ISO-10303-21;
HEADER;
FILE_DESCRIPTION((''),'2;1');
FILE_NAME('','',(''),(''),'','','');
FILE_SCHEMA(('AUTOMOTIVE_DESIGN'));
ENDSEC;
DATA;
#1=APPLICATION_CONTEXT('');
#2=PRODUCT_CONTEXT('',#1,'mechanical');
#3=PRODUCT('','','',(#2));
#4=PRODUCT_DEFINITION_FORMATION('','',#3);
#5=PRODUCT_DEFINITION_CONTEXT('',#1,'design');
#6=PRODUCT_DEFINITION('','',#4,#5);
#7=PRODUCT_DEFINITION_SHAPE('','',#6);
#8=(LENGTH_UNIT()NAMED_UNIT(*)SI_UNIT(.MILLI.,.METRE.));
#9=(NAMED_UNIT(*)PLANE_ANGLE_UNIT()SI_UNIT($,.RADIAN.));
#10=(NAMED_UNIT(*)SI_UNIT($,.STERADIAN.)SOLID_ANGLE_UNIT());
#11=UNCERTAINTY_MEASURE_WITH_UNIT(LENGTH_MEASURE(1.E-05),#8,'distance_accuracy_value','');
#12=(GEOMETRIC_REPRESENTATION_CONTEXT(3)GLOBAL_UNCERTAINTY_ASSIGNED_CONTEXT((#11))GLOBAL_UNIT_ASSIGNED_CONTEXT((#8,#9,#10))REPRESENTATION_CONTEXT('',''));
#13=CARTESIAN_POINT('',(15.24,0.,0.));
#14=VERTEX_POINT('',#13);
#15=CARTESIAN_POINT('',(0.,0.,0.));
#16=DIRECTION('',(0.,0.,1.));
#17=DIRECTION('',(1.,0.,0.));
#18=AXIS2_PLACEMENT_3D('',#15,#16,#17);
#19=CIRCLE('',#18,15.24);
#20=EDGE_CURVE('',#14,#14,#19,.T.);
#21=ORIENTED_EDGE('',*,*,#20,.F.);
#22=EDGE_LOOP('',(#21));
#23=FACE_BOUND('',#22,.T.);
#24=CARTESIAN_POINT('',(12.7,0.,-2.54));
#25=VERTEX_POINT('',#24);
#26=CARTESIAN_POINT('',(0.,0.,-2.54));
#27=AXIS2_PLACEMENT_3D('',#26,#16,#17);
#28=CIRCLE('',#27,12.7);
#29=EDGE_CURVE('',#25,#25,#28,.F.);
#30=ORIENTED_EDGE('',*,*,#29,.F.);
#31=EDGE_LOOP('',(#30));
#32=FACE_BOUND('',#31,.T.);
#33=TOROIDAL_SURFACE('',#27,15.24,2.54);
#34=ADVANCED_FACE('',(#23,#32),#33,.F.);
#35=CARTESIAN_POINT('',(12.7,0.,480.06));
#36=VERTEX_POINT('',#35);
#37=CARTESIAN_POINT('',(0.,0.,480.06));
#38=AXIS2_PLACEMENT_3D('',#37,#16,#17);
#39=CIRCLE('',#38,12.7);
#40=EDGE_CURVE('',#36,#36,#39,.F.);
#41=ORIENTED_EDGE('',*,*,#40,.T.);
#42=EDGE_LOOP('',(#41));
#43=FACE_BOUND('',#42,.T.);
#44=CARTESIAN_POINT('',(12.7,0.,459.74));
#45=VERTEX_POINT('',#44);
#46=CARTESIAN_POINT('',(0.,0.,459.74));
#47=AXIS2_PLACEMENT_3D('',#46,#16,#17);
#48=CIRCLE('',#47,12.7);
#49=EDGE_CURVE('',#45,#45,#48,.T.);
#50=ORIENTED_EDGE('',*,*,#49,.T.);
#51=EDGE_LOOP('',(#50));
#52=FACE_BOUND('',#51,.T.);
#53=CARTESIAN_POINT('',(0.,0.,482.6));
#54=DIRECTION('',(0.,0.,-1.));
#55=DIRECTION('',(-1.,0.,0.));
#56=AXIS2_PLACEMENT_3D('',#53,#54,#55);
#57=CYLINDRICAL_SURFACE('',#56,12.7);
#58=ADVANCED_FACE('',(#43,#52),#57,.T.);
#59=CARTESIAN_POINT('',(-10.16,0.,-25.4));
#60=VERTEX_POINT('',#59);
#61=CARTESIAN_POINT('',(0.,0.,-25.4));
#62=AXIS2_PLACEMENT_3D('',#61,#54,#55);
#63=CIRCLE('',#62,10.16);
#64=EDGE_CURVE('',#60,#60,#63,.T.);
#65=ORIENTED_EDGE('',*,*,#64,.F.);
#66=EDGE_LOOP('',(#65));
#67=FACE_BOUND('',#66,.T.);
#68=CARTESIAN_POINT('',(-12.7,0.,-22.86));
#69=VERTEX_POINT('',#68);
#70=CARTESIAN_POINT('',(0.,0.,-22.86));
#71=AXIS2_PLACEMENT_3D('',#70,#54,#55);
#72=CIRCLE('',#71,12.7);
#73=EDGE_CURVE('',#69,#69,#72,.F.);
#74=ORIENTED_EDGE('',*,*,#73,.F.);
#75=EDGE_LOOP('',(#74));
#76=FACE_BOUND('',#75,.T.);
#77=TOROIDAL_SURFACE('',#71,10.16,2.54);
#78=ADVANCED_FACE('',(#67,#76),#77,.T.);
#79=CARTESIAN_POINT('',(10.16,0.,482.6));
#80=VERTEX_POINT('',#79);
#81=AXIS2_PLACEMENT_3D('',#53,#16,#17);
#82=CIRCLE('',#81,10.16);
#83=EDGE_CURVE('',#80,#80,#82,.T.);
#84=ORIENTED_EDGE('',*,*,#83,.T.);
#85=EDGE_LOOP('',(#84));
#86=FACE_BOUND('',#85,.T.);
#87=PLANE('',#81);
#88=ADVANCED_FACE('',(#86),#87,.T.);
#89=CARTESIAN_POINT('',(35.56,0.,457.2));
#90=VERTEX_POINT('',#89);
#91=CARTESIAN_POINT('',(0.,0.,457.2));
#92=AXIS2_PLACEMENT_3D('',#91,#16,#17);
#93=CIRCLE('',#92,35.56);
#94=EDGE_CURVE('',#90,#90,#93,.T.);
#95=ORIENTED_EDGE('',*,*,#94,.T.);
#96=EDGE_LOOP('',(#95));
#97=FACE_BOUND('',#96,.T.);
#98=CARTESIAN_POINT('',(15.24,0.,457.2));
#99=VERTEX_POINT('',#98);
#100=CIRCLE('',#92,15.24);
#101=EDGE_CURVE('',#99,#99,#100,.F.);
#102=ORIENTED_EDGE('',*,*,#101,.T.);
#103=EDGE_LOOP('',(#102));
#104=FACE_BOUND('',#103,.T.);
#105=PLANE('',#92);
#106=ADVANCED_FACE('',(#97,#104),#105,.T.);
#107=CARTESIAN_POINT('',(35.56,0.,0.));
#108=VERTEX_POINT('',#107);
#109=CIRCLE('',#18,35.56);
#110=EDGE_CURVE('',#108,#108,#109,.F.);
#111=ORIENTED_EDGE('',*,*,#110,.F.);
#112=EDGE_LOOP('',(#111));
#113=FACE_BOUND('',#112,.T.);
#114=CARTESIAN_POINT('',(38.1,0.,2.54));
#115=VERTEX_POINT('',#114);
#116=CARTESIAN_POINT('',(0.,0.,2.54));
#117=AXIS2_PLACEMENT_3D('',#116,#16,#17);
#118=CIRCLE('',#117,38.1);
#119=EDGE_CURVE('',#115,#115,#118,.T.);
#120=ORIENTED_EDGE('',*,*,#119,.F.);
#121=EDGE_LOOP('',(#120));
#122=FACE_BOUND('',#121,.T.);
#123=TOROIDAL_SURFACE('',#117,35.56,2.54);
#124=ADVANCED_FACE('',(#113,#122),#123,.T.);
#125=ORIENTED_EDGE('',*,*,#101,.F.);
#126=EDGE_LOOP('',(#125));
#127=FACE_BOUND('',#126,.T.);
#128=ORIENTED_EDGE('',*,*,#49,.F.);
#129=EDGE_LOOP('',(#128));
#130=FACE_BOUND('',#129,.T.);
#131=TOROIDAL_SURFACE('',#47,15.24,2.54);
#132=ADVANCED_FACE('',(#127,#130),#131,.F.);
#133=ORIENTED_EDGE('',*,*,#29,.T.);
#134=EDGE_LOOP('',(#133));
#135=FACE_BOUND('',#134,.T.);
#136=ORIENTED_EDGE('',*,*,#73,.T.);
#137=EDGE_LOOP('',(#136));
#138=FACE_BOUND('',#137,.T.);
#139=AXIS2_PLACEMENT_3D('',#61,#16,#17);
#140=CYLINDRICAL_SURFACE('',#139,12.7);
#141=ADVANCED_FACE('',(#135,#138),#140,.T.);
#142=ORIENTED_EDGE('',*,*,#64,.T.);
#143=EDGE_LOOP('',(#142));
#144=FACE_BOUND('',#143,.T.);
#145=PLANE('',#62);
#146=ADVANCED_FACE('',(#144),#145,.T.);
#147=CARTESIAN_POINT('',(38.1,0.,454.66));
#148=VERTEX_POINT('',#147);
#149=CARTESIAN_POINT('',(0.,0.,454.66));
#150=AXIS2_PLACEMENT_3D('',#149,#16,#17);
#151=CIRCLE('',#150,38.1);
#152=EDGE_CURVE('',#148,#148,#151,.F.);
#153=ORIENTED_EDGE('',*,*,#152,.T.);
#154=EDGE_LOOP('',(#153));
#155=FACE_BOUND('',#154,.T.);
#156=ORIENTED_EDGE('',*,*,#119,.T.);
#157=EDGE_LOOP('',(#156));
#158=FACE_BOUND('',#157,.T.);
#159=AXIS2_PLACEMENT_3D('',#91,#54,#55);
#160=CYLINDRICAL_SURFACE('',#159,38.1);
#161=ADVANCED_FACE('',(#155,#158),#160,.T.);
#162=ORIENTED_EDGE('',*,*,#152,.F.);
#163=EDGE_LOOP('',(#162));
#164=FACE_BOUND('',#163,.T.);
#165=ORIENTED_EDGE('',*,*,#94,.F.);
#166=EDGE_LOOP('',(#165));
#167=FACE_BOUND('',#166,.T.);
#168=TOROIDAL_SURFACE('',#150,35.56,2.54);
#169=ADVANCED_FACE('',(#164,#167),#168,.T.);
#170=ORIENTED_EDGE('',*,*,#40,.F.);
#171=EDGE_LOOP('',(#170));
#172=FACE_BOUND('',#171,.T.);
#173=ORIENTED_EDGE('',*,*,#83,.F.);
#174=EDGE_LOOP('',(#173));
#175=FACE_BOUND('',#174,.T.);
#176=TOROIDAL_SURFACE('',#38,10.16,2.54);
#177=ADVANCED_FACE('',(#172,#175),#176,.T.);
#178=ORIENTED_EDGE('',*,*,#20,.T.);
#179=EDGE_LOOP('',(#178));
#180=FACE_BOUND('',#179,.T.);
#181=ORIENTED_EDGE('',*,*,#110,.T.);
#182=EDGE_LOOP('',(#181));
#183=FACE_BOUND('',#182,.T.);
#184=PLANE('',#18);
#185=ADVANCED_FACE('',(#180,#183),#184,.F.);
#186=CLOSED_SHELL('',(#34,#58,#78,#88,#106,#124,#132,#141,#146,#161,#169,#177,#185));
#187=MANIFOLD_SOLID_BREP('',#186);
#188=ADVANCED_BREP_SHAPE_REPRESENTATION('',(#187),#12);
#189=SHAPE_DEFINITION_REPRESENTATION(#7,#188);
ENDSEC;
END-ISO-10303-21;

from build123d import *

# Parameters (mm, degrees)
SKETCH1_R           = 38.1
BOSS_EXTRUDE1_DEPTH = 457.2
SKETCH2_R           = 12.7
BOSS_EXTRUDE2_DEPTH = 25.4
SKETCH3_R           = 12.7
BOSS_EXTRUDE3_DEPTH = 25.4
FILLET1_R           = 2.54
FILLET2_R           = 2.54


with BuildPart() as part:
    # Sketch1 → Boss-Extrude1 (new body)
    with BuildSketch(Plane.XY):
        Circle(SKETCH1_R)
    extrude(amount=BOSS_EXTRUDE1_DEPTH)

    # Sketch2 → Boss-Extrude2 (add)
    with BuildSketch(Plane(origin=(0, 0, 0), x_dir=(-1, 0, 0), z_dir=(0, 0, -1))):
        Circle(SKETCH2_R)
    extrude(amount=BOSS_EXTRUDE2_DEPTH)

    # Sketch3 → Boss-Extrude3 (add)
    with BuildSketch(Plane.XY.offset(457.2)):
        Circle(SKETCH3_R)
    extrude(amount=BOSS_EXTRUDE3_DEPTH)

    # Fillet1
    fillet1_edges = [part.edges().sort_by_distance(p)[0] for p in [
        (-12.7, 0, 457.2),
        (12.7, 0, 0),
    ]]
    fillet(fillet1_edges, radius=FILLET1_R)

    # Fillet2
    fillet2_edges = [part.edges().sort_by_distance(p)[0] for p in [
        (-12.7, 0, 482.6),
        (-38.1, 0, 0),
        (-38.1, 0, 457.2),
        (12.7, 0, -25.4),
    ]]
    fillet(fillet2_edges, radius=FILLET2_R)


solid = part.part
